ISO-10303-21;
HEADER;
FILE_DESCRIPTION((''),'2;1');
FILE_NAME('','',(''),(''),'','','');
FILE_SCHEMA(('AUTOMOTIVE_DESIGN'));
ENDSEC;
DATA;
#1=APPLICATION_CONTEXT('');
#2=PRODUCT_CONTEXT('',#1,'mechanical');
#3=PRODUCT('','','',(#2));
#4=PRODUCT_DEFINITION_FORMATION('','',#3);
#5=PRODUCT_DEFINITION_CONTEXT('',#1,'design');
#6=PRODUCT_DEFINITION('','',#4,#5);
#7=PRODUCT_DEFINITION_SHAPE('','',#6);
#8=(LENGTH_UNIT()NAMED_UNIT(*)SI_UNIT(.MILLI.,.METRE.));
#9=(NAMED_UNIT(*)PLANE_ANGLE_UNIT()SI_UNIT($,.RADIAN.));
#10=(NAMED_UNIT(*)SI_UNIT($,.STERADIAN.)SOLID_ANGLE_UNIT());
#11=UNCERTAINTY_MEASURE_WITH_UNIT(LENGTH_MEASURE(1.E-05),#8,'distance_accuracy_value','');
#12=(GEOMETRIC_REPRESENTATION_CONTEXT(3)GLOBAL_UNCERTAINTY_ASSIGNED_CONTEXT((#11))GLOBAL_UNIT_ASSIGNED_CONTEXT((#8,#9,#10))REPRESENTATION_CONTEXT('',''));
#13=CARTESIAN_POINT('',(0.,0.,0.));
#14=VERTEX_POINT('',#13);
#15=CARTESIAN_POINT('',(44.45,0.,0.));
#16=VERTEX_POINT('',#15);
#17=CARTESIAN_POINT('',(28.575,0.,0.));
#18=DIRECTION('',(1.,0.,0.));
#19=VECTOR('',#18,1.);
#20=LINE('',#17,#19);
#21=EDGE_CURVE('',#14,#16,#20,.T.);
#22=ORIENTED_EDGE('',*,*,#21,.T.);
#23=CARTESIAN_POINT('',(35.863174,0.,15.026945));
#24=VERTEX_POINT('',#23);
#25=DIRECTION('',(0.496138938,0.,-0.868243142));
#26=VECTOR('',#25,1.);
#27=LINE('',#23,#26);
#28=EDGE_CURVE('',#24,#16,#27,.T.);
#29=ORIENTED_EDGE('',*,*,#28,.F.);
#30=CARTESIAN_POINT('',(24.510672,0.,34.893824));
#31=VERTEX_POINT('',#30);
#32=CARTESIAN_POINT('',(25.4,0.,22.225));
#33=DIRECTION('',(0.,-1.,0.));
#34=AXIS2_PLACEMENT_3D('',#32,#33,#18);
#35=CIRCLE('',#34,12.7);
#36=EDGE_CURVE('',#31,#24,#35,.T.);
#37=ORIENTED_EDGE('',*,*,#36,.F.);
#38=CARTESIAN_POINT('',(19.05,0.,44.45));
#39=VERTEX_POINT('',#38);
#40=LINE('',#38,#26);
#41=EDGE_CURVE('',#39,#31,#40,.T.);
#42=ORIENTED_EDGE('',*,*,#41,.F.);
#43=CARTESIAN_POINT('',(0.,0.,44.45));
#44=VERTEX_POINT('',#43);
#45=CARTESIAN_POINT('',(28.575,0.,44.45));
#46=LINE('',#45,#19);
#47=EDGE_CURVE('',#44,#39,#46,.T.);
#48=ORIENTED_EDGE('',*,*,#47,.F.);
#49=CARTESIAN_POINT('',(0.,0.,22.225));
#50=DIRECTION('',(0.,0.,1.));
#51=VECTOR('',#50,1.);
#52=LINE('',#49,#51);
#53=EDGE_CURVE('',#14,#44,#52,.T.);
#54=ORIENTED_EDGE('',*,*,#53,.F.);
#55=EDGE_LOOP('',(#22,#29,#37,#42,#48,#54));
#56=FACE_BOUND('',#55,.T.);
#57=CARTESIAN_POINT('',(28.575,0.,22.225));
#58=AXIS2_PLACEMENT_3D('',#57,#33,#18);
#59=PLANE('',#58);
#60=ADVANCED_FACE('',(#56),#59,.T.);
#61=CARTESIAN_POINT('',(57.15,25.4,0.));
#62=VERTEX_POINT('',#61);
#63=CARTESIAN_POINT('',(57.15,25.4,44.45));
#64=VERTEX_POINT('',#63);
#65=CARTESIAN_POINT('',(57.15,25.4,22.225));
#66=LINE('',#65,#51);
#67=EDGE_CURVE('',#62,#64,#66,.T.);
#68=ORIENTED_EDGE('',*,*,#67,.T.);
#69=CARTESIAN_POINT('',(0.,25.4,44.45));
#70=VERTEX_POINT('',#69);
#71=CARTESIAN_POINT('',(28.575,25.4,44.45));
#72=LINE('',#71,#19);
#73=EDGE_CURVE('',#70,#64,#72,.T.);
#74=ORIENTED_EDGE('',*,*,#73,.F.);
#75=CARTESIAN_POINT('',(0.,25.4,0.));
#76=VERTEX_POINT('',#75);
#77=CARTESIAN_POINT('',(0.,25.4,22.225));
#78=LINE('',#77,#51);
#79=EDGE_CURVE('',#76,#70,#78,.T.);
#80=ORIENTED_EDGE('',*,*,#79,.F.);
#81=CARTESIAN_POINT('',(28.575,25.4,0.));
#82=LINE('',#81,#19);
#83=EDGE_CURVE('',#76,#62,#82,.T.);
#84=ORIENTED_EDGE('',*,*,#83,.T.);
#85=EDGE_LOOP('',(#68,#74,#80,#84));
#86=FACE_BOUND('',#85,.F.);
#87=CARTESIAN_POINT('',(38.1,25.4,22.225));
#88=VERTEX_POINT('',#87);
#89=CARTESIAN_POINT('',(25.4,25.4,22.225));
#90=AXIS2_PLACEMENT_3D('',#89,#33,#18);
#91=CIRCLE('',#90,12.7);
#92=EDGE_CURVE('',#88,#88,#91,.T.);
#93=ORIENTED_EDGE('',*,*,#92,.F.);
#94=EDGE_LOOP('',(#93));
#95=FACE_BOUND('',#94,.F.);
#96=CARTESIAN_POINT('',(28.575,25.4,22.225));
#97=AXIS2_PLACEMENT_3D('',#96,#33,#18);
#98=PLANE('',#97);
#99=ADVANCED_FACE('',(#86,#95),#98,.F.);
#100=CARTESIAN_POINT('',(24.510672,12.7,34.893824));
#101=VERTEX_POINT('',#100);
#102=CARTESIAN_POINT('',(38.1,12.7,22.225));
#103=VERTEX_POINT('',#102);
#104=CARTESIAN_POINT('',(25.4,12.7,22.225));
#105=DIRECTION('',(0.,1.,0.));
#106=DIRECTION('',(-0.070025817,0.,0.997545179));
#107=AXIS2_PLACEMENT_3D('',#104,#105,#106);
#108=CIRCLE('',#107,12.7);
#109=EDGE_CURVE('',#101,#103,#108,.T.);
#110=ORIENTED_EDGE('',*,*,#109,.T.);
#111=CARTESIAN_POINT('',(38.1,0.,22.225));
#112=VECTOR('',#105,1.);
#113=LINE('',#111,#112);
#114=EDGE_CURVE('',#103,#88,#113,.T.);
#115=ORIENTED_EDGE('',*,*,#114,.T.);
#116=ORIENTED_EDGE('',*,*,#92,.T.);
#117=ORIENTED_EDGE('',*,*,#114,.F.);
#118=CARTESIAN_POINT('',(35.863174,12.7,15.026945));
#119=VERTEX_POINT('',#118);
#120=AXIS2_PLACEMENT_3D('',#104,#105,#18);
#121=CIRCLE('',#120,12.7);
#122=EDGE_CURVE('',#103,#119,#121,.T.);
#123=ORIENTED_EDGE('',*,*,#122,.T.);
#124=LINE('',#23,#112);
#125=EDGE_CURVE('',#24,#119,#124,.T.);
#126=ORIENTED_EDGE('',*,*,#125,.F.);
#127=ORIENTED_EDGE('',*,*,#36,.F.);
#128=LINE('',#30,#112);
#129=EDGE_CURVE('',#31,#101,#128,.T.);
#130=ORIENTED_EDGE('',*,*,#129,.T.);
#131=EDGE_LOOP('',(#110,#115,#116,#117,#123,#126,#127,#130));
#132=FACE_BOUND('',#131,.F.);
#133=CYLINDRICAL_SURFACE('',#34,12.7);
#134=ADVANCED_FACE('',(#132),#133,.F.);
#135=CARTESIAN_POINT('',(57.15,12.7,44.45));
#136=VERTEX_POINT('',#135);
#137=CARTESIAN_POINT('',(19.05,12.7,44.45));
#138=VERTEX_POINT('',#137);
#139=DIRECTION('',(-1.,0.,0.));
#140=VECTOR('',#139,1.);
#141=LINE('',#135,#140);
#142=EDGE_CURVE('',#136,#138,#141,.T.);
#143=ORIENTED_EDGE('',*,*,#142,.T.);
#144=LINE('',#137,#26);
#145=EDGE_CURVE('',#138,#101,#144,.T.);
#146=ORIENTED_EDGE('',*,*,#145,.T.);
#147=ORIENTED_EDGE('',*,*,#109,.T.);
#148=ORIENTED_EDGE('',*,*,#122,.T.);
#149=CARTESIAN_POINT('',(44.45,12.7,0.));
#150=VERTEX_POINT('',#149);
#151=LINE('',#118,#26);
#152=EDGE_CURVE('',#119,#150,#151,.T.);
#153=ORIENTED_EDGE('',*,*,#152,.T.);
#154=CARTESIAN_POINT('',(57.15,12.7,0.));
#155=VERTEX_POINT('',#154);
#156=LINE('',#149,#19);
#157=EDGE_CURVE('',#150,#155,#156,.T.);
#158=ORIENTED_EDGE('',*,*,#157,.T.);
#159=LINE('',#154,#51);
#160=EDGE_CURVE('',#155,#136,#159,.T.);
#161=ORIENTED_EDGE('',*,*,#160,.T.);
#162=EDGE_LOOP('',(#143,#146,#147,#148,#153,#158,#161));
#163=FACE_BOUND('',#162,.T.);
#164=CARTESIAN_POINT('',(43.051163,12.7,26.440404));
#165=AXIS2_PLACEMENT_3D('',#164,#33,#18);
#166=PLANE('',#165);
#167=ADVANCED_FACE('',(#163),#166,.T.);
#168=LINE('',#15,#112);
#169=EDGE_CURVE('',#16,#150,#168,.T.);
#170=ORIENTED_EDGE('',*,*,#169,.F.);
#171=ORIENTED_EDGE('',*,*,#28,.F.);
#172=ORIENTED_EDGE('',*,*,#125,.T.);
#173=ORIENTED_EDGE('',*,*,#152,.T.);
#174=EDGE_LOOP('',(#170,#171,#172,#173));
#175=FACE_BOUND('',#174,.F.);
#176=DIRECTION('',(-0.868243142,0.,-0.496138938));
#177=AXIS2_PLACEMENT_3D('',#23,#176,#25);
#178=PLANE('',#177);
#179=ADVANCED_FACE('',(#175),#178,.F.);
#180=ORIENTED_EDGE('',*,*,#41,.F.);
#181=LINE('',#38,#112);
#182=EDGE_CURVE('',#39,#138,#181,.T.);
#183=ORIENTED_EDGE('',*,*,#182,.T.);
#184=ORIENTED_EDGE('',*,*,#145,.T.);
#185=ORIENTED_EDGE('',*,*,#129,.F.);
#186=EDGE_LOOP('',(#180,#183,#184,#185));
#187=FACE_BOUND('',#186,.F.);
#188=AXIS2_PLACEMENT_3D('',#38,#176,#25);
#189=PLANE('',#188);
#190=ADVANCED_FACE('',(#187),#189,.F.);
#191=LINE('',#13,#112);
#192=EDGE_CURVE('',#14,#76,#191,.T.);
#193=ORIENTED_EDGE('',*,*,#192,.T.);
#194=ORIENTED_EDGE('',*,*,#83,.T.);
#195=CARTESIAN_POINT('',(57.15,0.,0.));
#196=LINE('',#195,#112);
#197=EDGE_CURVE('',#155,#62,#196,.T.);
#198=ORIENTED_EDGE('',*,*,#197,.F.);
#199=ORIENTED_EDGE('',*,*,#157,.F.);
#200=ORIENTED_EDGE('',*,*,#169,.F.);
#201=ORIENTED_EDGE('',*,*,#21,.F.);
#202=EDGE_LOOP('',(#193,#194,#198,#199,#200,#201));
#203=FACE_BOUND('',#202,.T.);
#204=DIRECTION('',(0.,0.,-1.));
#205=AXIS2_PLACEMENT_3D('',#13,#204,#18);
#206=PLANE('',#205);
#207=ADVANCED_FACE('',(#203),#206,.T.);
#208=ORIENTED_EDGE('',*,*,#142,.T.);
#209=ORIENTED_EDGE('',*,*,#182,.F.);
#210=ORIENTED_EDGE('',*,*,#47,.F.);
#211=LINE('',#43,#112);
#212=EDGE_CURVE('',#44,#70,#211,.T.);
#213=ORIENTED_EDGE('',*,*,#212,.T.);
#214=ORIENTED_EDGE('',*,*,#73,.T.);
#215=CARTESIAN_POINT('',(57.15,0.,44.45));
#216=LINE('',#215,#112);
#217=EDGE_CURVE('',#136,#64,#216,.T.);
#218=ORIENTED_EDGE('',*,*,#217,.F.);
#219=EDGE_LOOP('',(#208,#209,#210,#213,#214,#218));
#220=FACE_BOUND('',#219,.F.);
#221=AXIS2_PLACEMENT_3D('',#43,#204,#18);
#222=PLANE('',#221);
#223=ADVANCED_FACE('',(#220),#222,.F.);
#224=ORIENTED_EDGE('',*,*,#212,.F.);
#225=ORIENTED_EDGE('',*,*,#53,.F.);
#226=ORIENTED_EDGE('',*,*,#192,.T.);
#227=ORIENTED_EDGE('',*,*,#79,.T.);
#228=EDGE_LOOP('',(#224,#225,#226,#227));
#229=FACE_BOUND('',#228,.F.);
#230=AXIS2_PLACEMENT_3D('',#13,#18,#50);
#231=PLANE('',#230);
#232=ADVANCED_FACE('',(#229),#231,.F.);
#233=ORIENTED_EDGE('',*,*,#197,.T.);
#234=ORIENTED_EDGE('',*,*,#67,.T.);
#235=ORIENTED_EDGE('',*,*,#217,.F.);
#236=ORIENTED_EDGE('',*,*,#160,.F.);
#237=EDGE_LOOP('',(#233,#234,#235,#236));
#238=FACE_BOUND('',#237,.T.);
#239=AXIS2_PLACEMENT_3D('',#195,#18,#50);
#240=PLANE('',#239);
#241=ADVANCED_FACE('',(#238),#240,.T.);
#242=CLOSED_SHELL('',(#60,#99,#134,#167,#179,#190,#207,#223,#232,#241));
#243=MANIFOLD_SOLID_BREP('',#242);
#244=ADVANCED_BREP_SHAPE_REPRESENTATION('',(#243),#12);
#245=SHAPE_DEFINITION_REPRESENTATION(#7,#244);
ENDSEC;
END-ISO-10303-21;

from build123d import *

# Parameters (mm, degrees)
F0_W     = 57.15
F0_H     = 44.45
F1_DEPTH = 25.4
F3_DEPTH = 25.4
F5_DEPTH = 12.7


with BuildPart() as f1:
    # F0 (on Front) → F1 (new body)
    with BuildSketch(Plane.XZ):
        with Locations((28.575, 22.225)):
            Rectangle(F0_W, F0_H)
    extrude(amount=-F1_DEPTH)

    # F2 (on face) → F3 (cut)
    with BuildSketch(Plane.XZ):
        with BuildLine():
            ThreePointArc((12.7, 22.225), (25.4, 9.525), (38.1, 22.225))
            ThreePointArc((38.1, 22.225), (25.4, 34.925), (12.7, 22.225))
        make_face()
    extrude(amount=-F3_DEPTH, mode=Mode.SUBTRACT)

    # F4 (on face) → F5 (cut)
    with BuildSketch(Plane.XZ):
        with BuildLine():
            Line((57.15, 44.45), (19.05, 44.45))
            Line((19.05, 44.45), (24.5106721265, 34.8938237786))
            ThreePointArc((24.5106721265, 34.8938237786), (34.0601251725, 31.5143612265), (38.1, 22.225))
            ThreePointArc((38.1, 22.225), (37.5279081079, 18.4562011295), (35.8631740273, 15.0269454522))
            Line((35.8631740273, 15.0269454522), (44.45, 0))
            Line((44.45, 0), (57.15, 0))
            Line((57.15, 0), (57.15, 44.45))
        make_face()
    extrude(amount=-F5_DEPTH, mode=Mode.SUBTRACT)


solid = f1.part
